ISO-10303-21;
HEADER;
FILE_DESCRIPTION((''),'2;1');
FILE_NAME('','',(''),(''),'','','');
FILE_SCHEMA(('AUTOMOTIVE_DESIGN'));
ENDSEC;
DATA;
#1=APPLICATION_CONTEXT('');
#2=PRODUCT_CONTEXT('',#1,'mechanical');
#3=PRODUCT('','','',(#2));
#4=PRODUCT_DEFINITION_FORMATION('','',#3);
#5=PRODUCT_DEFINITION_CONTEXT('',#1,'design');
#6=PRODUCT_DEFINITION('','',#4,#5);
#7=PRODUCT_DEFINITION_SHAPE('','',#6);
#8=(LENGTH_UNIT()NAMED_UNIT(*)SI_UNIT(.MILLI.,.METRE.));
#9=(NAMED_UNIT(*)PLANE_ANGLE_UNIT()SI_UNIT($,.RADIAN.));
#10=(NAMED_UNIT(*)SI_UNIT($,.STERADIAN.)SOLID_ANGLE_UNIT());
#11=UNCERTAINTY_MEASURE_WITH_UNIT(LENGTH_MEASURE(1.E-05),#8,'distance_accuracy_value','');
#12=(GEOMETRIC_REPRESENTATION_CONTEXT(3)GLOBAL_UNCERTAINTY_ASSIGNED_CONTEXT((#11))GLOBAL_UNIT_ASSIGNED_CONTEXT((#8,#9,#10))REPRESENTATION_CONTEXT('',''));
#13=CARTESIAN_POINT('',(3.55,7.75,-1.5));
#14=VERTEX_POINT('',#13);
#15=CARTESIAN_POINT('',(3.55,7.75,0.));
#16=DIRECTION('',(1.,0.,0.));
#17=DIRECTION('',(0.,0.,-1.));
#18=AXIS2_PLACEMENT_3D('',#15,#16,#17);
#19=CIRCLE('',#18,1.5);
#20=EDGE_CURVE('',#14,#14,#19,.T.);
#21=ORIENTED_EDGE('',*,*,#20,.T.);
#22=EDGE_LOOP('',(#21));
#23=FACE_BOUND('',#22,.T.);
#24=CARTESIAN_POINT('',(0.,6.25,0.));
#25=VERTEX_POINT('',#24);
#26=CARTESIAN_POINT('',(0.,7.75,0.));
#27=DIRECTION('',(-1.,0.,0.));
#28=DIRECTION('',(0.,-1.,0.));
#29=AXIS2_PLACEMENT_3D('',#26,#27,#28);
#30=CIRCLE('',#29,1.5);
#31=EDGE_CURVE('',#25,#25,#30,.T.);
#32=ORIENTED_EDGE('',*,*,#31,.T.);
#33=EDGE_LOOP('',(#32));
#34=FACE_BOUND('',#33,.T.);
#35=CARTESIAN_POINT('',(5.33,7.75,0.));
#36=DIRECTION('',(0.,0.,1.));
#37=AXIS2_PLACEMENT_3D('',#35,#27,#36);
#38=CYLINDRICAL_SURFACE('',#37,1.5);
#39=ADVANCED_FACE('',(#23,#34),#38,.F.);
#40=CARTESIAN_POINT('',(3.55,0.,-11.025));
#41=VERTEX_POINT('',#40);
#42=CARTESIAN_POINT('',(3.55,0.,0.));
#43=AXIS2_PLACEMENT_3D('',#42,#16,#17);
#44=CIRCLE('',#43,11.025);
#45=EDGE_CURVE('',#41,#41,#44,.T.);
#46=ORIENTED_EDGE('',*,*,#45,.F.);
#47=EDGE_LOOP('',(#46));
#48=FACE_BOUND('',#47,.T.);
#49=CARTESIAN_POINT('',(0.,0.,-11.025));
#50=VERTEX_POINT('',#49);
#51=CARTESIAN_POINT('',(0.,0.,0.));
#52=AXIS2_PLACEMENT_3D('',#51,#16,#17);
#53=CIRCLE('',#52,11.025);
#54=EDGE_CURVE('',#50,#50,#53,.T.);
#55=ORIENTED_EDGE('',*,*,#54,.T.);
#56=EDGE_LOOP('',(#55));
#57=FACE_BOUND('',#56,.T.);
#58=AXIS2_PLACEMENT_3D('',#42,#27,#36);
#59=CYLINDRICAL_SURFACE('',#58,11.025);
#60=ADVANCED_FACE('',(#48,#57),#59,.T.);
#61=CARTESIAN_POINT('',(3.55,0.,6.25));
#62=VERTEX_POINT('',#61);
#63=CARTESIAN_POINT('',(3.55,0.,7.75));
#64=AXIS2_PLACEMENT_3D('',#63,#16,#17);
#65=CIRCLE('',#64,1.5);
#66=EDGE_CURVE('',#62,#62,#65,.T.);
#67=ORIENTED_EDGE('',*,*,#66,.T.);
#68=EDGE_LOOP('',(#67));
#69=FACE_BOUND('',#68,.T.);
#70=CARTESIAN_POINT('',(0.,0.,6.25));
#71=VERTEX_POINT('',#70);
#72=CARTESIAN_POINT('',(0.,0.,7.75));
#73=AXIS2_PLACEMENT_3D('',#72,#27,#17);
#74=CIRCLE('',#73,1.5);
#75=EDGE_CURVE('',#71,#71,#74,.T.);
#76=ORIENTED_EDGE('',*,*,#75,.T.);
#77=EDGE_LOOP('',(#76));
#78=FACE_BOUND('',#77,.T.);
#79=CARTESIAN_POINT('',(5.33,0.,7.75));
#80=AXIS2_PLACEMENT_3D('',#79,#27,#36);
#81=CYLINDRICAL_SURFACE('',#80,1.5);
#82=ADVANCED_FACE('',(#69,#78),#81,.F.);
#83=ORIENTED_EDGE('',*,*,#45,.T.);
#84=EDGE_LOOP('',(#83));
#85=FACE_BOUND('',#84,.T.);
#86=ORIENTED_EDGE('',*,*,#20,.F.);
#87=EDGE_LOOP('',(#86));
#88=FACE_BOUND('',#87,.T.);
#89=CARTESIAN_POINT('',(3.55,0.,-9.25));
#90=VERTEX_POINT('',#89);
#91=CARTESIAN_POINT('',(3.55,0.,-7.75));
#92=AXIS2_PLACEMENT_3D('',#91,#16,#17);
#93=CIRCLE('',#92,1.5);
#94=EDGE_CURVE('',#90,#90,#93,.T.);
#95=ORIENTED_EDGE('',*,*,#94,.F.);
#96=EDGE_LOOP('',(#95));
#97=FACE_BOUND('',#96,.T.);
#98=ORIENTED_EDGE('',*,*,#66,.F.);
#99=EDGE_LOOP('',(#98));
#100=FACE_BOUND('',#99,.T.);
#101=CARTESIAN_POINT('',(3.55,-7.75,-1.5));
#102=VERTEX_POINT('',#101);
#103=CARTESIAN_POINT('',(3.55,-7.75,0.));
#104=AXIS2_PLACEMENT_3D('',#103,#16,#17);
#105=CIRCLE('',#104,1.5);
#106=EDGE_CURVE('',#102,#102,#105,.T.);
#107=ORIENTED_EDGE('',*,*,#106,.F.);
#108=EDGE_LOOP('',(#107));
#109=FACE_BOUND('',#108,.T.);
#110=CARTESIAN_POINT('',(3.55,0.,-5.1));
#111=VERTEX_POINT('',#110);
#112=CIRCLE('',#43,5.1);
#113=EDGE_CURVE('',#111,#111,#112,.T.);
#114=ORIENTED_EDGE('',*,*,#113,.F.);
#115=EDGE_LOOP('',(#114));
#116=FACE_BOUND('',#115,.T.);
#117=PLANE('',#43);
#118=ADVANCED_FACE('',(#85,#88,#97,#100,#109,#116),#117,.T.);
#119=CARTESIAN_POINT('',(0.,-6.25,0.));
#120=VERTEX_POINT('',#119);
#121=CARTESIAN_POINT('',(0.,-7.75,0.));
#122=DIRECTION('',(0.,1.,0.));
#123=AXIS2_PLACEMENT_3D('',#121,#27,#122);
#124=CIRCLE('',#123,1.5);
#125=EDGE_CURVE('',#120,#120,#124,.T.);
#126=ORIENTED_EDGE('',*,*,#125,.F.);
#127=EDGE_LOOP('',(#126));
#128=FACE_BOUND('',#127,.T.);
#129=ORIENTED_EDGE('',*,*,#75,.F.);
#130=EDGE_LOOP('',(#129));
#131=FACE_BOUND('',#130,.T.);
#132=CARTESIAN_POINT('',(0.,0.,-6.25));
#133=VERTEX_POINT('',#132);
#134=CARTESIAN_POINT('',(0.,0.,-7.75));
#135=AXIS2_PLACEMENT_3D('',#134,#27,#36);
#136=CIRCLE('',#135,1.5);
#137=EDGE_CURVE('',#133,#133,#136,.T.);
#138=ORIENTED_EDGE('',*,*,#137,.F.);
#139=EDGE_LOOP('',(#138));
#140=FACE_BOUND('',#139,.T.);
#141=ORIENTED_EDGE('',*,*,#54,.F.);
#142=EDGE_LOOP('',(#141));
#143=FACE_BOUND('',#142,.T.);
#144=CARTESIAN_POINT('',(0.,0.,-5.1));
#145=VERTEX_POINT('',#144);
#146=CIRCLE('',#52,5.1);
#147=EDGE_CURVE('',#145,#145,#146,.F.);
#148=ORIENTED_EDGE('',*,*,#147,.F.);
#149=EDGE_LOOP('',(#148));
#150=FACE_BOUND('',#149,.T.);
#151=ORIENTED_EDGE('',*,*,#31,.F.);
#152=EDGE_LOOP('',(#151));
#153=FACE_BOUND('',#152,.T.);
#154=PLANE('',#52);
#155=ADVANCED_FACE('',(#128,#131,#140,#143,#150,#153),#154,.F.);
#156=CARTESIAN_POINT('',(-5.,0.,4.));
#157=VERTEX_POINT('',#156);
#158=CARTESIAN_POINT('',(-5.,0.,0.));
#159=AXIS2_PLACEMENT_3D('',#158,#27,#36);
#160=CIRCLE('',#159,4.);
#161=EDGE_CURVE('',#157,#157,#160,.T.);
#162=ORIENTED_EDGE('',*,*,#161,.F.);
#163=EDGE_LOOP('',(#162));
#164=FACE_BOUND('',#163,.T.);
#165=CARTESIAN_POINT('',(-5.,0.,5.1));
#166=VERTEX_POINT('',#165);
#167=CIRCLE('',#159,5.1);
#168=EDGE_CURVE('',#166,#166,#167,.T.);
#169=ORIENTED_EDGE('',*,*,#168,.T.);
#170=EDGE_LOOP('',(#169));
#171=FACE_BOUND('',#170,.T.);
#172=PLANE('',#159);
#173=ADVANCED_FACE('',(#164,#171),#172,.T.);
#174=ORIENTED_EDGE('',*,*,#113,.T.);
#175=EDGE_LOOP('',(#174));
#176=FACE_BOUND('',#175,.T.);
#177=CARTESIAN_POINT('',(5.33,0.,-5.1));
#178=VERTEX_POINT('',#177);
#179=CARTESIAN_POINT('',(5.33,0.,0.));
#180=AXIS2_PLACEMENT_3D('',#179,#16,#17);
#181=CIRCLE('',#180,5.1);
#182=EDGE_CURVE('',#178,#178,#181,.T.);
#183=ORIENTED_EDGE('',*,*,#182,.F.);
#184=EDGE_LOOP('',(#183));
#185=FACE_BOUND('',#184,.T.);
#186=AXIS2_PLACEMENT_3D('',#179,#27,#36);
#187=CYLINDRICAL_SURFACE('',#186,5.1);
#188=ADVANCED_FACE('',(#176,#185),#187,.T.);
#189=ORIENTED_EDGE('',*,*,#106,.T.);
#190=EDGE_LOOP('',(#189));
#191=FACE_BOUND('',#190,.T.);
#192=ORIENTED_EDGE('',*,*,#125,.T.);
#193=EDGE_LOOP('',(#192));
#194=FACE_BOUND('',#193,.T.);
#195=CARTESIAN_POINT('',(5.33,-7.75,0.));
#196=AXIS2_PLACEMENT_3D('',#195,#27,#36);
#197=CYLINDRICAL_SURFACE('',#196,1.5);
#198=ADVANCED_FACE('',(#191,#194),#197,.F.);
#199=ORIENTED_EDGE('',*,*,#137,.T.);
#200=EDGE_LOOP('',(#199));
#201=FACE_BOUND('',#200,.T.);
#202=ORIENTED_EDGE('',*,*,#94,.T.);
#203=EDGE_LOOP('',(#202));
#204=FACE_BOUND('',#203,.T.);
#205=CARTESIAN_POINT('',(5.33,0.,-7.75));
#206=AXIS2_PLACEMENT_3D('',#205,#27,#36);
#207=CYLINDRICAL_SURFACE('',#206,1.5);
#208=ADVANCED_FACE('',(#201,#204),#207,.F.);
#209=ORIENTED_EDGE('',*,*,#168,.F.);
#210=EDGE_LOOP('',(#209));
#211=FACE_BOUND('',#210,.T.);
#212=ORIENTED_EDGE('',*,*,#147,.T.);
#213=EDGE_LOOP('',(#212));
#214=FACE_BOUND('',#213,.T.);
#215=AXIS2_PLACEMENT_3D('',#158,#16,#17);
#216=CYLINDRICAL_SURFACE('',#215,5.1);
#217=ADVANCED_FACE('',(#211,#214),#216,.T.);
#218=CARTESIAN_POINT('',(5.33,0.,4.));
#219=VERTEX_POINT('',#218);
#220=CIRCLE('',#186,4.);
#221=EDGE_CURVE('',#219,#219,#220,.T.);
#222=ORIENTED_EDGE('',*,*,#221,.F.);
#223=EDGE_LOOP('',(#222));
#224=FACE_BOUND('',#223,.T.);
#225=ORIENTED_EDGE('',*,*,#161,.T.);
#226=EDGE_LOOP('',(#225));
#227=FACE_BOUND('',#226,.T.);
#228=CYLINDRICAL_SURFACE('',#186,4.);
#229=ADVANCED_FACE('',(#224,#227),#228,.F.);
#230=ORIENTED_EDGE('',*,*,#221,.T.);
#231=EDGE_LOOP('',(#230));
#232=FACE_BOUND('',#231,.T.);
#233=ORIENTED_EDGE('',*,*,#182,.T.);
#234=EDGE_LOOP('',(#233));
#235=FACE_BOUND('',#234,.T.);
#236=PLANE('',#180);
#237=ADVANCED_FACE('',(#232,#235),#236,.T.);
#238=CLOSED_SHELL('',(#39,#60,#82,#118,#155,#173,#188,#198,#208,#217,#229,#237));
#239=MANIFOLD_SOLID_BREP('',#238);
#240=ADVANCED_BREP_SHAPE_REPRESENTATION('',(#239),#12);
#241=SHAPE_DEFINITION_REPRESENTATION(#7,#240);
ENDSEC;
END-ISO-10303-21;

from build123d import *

# Parameters (mm, degrees)
SKETCH1_R           = 11.025
BOSS_EXTRUDE1_DEPTH = 3.55
SKETCH2_R           = 5.1
BOSS_EXTRUDE2_DEPTH = 1.78
SKETCH3_R           = 5.1
BOSS_EXTRUDE3_DEPTH = 5
SKETCH5_R           = 4
CUT_EXTRUDE1_DEPTH  = 11.33
SKETCH6_R           = 1.5
CUT_EXTRUDE2_DEPTH  = 6.33
CIRPATTERN1_COUNT   = 4


with BuildPart() as part:
    # Sketch1 → Boss-Extrude1 (new body)
    with BuildSketch(Plane(origin=(0, 0, 0), x_dir=(0, 0, -1), z_dir=(1, 0, 0))):
        Circle(SKETCH1_R)
    extrude(amount=BOSS_EXTRUDE1_DEPTH)

    # Sketch2 → Boss-Extrude2 (add)
    with BuildSketch(Plane(origin=(3.55, 0, 0), x_dir=(0, 0, -1), z_dir=(1, 0, 0))):
        Circle(SKETCH2_R)
    extrude(amount=BOSS_EXTRUDE2_DEPTH)

    # Sketch3 → Boss-Extrude3 (add)
    with BuildSketch(Plane.ZY):
        Circle(SKETCH3_R)
    extrude(amount=BOSS_EXTRUDE3_DEPTH)

    # Sketch5 → Cut-Extrude1 (cut, through all)
    with BuildSketch(Plane.ZY.offset(5)):
        Circle(SKETCH5_R)
    extrude(amount=-CUT_EXTRUDE1_DEPTH, mode=Mode.SUBTRACT)

    # Sketch6 → Cut-Extrude2 (cut, through all)
    with BuildSketch(Plane.ZY):
        with Locations((-7.75, 0)):
            Circle(SKETCH6_R)
    cut_extrude2 = extrude(amount=-CUT_EXTRUDE2_DEPTH, mode=Mode.SUBTRACT)

    # CirPattern1: Cut-Extrude2 ×4 about axis
    cirpattern1_axis = Axis((0, 0, 0), (1, 0, 0))
    for i in range(1, CIRPATTERN1_COUNT):
        add(cut_extrude2.rotate(cirpattern1_axis, i * 360 / CIRPATTERN1_COUNT), mode=Mode.SUBTRACT)


solid = part.part
